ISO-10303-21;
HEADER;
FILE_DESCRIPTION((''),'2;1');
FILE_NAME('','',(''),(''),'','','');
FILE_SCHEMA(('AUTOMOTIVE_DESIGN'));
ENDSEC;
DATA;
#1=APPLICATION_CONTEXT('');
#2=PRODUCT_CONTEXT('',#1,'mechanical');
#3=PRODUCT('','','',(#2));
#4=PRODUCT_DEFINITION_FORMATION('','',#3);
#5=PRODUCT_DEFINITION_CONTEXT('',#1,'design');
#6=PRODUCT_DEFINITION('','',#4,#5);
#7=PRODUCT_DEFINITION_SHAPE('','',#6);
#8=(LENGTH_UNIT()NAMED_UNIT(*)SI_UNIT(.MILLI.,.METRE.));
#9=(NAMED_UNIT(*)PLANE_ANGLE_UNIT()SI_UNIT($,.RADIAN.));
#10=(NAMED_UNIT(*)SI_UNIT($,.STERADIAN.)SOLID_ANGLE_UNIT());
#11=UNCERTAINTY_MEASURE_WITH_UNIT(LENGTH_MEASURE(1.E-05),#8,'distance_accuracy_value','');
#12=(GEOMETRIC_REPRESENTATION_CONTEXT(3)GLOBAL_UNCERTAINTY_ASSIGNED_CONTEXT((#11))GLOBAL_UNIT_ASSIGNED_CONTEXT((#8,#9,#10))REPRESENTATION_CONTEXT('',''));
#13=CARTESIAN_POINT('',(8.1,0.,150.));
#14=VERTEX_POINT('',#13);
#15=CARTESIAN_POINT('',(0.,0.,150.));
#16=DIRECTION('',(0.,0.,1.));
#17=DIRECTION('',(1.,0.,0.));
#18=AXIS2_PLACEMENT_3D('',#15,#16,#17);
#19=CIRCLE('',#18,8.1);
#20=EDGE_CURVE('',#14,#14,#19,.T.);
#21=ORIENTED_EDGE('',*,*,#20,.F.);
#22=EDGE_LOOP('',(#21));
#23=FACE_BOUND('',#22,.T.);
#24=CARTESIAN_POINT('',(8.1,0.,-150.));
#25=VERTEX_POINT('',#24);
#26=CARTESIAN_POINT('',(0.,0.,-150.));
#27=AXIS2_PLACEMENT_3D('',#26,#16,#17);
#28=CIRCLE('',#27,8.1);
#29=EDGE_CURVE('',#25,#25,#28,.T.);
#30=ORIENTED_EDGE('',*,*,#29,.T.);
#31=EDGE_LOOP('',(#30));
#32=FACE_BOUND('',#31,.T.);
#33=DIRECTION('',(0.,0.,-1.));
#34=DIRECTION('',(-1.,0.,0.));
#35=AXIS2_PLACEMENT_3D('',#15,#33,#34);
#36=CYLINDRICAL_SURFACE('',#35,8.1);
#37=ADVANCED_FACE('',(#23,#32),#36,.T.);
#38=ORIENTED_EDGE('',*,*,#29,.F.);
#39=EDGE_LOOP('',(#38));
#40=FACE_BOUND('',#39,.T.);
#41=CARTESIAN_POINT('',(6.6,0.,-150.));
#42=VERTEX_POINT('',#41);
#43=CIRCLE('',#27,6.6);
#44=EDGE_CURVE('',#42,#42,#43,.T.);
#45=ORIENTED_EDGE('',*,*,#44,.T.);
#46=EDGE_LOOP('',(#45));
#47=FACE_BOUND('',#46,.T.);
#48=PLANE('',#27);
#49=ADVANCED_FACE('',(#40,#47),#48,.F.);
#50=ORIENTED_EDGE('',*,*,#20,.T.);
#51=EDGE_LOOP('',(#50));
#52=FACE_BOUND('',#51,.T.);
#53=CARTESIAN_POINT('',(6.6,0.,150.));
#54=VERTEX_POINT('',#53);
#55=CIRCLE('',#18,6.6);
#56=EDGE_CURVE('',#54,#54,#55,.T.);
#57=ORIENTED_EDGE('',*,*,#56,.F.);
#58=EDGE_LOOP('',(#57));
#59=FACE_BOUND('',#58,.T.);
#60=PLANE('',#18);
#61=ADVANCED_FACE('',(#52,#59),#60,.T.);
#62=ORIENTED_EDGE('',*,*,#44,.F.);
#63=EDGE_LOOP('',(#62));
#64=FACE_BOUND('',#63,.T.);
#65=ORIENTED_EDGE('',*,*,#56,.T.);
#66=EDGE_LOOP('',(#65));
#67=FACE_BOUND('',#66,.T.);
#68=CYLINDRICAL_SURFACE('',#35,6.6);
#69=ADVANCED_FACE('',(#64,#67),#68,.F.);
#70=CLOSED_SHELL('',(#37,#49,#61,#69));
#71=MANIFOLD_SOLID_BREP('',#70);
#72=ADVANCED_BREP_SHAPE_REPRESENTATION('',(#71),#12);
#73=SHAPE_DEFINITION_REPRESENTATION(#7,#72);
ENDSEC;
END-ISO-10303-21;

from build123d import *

# Parameters (mm, degrees)
CROQUIS1_R              = 8.1
CROQUIS1_R_2            = 6.6
SALIENTE_EXTRUIR1_DEPTH = 150


with BuildPart() as part:
    # Croquis1 → Saliente-Extruir1 (new, symmetric)
    with BuildSketch(Plane.XY):
        Circle(CROQUIS1_R)
        Circle(CROQUIS1_R_2, mode=Mode.SUBTRACT)
    extrude(amount=SALIENTE_EXTRUIR1_DEPTH, both=True)


solid = part.part
